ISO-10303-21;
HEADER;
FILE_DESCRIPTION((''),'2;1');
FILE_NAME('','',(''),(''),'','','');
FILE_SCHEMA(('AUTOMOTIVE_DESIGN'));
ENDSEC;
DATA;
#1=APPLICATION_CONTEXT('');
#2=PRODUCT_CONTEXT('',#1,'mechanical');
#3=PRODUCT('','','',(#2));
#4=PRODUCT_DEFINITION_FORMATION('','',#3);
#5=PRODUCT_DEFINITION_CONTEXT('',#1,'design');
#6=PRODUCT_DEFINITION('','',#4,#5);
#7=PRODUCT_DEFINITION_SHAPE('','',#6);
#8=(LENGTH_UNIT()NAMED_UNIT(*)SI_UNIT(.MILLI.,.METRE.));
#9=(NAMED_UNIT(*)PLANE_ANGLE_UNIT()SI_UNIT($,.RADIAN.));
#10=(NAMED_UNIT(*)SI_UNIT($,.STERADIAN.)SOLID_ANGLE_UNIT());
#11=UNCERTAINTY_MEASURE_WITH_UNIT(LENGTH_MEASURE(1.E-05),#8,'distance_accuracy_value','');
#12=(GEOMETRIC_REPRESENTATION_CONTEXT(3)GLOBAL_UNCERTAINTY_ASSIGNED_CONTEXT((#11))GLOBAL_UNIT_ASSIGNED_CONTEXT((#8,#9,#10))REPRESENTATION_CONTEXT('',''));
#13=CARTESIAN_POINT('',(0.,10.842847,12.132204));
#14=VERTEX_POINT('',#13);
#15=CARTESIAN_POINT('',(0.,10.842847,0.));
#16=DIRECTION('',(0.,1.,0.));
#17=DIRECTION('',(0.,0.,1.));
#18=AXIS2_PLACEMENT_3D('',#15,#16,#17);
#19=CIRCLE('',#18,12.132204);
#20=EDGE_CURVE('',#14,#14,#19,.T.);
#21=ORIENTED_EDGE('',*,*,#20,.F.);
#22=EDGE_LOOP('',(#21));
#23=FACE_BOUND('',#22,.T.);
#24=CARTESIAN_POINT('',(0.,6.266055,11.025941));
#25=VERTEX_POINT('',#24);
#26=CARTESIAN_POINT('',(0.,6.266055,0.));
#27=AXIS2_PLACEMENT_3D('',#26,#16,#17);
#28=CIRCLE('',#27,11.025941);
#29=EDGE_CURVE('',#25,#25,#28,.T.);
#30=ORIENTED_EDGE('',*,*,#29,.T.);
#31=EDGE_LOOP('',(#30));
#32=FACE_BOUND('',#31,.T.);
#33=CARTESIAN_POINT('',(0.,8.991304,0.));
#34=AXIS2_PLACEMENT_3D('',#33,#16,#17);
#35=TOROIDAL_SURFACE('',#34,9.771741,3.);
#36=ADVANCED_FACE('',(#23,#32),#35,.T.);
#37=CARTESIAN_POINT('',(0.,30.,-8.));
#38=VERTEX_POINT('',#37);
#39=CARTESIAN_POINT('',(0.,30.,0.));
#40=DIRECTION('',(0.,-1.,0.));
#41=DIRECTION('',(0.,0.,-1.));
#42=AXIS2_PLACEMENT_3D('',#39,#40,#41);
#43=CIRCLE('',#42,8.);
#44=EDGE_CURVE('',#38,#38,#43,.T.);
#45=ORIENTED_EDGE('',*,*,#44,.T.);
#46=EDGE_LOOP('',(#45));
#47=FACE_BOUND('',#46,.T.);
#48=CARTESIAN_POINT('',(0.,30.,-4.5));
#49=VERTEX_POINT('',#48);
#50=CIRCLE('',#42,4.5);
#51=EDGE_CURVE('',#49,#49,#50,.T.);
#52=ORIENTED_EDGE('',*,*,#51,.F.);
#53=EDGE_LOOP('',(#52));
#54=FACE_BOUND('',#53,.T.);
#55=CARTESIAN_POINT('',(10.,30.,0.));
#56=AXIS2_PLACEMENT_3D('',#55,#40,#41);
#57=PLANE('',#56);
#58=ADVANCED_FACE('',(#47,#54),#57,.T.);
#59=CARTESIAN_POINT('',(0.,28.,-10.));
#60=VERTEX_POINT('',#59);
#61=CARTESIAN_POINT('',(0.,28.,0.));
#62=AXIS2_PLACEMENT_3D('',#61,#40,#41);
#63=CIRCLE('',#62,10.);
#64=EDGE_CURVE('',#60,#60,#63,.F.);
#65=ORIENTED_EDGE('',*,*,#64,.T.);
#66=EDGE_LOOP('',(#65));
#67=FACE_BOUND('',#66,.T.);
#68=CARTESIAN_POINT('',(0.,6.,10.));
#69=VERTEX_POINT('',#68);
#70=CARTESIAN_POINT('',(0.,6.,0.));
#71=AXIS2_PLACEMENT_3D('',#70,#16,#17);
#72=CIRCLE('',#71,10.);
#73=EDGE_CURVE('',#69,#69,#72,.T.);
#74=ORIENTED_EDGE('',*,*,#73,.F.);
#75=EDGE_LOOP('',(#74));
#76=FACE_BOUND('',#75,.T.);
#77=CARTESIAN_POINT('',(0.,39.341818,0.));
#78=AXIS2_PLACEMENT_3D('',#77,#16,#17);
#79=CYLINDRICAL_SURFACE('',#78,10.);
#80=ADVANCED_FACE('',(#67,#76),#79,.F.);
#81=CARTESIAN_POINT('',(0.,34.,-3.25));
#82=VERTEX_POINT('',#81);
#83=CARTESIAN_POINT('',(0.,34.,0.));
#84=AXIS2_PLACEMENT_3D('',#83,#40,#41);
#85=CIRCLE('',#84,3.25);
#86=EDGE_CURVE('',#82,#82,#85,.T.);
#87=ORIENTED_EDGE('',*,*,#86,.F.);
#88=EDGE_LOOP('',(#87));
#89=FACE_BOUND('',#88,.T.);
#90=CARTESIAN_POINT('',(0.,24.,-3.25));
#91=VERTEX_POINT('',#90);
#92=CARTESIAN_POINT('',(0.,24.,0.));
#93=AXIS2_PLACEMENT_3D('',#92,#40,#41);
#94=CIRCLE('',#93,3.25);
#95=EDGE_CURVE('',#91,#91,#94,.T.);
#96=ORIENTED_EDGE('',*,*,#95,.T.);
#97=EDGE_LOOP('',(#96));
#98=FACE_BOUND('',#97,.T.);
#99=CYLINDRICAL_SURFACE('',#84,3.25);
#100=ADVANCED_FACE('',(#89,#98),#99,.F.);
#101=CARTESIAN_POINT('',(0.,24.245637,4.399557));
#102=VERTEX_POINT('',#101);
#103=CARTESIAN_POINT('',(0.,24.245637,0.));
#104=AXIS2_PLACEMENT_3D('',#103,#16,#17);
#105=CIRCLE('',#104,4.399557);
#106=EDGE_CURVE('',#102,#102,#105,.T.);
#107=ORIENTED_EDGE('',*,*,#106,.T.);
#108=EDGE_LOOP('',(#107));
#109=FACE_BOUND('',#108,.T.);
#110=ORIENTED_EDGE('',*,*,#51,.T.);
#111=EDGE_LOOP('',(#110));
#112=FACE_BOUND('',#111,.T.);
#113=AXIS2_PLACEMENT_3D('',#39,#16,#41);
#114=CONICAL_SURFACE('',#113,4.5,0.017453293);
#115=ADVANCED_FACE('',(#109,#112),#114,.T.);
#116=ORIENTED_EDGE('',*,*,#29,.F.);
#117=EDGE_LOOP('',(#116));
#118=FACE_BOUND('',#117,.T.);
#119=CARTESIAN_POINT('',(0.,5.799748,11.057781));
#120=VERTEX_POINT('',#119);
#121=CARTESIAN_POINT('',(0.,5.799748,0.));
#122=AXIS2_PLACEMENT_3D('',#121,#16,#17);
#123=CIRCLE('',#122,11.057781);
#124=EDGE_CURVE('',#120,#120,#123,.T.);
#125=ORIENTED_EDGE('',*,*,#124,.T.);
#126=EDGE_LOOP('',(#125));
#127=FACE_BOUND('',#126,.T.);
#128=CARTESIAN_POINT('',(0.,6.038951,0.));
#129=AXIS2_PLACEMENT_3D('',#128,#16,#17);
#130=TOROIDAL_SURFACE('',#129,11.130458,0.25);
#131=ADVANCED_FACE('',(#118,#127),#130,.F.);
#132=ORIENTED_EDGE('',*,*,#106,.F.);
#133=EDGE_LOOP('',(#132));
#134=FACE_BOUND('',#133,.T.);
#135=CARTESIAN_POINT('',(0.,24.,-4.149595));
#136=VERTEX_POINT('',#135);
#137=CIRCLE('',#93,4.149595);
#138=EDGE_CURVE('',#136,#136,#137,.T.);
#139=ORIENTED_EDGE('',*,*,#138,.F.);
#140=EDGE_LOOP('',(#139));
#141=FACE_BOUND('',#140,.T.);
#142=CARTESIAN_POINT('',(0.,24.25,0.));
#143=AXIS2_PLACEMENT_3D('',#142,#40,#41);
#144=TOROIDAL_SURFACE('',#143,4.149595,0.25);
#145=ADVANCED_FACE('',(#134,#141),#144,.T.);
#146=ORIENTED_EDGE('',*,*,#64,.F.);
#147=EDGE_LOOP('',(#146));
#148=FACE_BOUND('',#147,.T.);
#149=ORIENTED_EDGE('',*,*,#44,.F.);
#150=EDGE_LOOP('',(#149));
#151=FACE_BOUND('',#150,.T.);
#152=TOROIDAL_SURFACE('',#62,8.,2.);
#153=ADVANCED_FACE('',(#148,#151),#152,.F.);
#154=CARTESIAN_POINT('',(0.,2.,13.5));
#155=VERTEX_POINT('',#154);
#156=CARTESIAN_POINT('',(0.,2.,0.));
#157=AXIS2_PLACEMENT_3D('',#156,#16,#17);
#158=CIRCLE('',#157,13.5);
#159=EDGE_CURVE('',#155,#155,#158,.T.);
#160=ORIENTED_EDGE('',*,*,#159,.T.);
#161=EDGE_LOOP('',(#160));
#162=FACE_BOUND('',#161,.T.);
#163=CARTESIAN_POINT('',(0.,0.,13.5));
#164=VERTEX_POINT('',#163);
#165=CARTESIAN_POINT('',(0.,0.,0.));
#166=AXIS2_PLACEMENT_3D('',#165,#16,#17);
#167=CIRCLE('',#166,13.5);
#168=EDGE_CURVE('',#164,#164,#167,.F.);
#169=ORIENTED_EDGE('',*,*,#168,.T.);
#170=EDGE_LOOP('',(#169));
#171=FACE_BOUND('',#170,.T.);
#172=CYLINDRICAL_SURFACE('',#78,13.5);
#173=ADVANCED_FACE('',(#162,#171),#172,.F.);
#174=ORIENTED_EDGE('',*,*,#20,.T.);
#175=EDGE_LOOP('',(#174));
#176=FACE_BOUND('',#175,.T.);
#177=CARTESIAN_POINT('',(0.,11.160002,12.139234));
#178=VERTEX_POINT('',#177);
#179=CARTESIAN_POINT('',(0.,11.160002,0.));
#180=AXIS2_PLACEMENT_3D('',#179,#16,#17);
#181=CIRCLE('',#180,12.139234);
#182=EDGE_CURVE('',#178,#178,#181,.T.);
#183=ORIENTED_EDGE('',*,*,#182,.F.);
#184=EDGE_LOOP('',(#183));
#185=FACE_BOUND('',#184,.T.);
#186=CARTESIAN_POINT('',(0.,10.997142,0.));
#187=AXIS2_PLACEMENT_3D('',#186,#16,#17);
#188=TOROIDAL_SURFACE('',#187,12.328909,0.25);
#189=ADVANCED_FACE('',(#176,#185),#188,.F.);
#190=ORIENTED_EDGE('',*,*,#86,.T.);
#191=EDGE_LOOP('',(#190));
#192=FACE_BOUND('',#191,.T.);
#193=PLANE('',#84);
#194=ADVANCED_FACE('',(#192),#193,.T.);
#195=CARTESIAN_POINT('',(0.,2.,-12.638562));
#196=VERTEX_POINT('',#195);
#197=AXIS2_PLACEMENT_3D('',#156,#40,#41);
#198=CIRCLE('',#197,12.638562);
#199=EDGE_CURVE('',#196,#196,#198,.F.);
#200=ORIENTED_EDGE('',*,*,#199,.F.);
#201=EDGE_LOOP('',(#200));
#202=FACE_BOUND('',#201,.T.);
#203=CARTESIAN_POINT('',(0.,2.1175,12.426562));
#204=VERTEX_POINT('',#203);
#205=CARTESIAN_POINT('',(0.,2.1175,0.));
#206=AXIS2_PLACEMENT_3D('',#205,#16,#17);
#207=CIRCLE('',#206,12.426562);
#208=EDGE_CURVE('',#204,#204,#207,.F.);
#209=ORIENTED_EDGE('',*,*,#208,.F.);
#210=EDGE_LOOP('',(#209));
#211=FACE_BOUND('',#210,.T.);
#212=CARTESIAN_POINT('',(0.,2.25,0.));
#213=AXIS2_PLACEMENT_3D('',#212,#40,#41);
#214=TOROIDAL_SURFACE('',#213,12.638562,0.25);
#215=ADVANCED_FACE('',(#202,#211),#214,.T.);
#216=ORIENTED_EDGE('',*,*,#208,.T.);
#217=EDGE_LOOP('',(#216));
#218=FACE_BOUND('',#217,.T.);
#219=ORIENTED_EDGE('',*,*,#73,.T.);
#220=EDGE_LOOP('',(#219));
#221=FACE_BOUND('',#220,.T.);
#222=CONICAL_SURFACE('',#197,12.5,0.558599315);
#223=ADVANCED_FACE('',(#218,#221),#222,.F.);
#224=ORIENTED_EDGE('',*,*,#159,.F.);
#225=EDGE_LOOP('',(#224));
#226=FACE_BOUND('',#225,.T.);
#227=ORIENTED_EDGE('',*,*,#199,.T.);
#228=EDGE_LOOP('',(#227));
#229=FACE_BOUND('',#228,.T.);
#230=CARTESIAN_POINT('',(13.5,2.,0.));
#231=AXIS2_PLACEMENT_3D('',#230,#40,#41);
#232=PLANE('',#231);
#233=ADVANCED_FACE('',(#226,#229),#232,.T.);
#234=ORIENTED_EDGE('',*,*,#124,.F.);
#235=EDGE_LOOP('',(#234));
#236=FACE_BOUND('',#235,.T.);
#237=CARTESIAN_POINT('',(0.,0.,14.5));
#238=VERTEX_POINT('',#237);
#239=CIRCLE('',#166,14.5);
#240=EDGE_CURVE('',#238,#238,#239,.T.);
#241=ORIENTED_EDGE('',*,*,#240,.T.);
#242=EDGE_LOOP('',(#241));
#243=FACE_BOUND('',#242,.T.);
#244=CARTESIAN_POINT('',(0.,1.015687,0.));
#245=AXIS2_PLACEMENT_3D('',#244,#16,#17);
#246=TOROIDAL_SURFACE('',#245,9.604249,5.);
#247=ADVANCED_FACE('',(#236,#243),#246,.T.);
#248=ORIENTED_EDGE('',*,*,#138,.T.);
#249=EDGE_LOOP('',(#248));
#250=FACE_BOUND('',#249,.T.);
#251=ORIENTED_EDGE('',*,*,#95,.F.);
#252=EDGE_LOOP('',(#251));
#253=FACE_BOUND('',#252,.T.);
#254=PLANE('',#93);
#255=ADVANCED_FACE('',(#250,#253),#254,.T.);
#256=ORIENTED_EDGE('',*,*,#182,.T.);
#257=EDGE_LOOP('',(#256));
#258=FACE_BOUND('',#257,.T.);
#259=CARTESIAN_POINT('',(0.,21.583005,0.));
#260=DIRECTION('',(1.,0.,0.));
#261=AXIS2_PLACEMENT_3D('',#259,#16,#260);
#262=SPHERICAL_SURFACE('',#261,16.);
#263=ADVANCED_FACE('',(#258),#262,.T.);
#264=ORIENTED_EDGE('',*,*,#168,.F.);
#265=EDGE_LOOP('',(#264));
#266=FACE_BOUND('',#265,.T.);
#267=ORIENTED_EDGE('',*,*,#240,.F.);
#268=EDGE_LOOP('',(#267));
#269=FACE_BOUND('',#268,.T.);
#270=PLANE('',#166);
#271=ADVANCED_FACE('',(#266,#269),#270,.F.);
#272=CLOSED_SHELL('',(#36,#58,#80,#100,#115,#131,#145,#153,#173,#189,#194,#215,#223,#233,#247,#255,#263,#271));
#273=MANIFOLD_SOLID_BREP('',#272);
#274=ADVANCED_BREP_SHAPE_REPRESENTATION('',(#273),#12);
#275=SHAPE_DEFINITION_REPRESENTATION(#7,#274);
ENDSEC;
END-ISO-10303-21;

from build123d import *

# Parameters (mm, degrees)
SKETCH5_R           = 4.5
BOSS_EXTRUDE1_DEPTH = 6
BOSS_EXTRUDE1_TAPER = 1
SKETCH6_R           = 3.25
CUT_EXTRUDE2_DEPTH  = 10
FILLET1_R           = 0.25
FILLET2_R           = 2


with BuildPart() as part:
    # Sketch1 → Base-Revolve (revolve)
    with BuildSketch(Plane.XY, mode=Mode.PRIVATE) as base_revolve_sk:
        with BuildLine():
            Line((0, 0), (14.5, 0))
            ThreePointArc((14.5, 0), (13.903972034, 3.56762287), (11.057781497, 5.799747801))
            ThreePointArc((11.057781497, 5.799747801), (10.8810389, 6.021920184), (11.025941418, 6.266054929))
            ThreePointArc((11.025941418, 6.266054929), (12.687766413, 8.286467138), (12.132204113, 10.842847066))
            ThreePointArc((12.132204113, 10.842847066), (12.078970779, 11.002682248), (12.139233861, 11.160001777))
            ThreePointArc((12.139233861, 11.160001777), (14.539051817, 28.262524109), (0, 37.583005244))
            Line((0, 37.583005244), (0, 0))
        make_face()
    revolve(base_revolve_sk.sketch.rotate(Axis((0, 77.244222222, 0), (0, -1, 0)), 90), axis=Axis((0, 77.244222222, 0), (0, -1, 0)))

    # Sketch4 → Cut-Revolve1 (revolve, cut)
    with BuildSketch(Plane.XY, mode=Mode.PRIVATE) as cut_revolve1_sk:
        Polygon((13.5, -1.86135809), (13.5, 2), (12.5, 2), (10, 6), (10, 30), (0, 30), (0, -1.86135809), align=None)
    revolve(cut_revolve1_sk.sketch.rotate(Axis((0, 39.34181807, 0), (0, -1, 0)), 90), axis=Axis((0, 39.34181807, 0), (0, -1, 0)), mode=Mode.SUBTRACT)

    # Sketch5 → Boss-Extrude1 (add)
    with BuildSketch(Plane.XZ.offset(-30)):
        Circle(SKETCH5_R)
    extrude(amount=BOSS_EXTRUDE1_DEPTH, taper=BOSS_EXTRUDE1_TAPER)

    # Sketch6 → Cut-Extrude2 (cut)
    with BuildSketch(Plane.XZ.offset(-24)):
        with Locations(Location((0, 0, 0), (0, 0, 270))):
            Circle(SKETCH6_R)
    extrude(amount=-CUT_EXTRUDE2_DEPTH, mode=Mode.SUBTRACT)

    # Fillet1
    fillet1_edges = [part.edges().sort_by_distance(p)[0] for p in [
        (0, 2, -12.5),
        (-4.39526961, 24, 0),
    ]]
    fillet(fillet1_edges, radius=FILLET1_R)

    # Fillet2
    fillet2_edges = [part.edges().sort_by_distance(p)[0] for p in [
        (0, 30, -10),
    ]]
    fillet(fillet2_edges, radius=FILLET2_R)


solid = part.part
